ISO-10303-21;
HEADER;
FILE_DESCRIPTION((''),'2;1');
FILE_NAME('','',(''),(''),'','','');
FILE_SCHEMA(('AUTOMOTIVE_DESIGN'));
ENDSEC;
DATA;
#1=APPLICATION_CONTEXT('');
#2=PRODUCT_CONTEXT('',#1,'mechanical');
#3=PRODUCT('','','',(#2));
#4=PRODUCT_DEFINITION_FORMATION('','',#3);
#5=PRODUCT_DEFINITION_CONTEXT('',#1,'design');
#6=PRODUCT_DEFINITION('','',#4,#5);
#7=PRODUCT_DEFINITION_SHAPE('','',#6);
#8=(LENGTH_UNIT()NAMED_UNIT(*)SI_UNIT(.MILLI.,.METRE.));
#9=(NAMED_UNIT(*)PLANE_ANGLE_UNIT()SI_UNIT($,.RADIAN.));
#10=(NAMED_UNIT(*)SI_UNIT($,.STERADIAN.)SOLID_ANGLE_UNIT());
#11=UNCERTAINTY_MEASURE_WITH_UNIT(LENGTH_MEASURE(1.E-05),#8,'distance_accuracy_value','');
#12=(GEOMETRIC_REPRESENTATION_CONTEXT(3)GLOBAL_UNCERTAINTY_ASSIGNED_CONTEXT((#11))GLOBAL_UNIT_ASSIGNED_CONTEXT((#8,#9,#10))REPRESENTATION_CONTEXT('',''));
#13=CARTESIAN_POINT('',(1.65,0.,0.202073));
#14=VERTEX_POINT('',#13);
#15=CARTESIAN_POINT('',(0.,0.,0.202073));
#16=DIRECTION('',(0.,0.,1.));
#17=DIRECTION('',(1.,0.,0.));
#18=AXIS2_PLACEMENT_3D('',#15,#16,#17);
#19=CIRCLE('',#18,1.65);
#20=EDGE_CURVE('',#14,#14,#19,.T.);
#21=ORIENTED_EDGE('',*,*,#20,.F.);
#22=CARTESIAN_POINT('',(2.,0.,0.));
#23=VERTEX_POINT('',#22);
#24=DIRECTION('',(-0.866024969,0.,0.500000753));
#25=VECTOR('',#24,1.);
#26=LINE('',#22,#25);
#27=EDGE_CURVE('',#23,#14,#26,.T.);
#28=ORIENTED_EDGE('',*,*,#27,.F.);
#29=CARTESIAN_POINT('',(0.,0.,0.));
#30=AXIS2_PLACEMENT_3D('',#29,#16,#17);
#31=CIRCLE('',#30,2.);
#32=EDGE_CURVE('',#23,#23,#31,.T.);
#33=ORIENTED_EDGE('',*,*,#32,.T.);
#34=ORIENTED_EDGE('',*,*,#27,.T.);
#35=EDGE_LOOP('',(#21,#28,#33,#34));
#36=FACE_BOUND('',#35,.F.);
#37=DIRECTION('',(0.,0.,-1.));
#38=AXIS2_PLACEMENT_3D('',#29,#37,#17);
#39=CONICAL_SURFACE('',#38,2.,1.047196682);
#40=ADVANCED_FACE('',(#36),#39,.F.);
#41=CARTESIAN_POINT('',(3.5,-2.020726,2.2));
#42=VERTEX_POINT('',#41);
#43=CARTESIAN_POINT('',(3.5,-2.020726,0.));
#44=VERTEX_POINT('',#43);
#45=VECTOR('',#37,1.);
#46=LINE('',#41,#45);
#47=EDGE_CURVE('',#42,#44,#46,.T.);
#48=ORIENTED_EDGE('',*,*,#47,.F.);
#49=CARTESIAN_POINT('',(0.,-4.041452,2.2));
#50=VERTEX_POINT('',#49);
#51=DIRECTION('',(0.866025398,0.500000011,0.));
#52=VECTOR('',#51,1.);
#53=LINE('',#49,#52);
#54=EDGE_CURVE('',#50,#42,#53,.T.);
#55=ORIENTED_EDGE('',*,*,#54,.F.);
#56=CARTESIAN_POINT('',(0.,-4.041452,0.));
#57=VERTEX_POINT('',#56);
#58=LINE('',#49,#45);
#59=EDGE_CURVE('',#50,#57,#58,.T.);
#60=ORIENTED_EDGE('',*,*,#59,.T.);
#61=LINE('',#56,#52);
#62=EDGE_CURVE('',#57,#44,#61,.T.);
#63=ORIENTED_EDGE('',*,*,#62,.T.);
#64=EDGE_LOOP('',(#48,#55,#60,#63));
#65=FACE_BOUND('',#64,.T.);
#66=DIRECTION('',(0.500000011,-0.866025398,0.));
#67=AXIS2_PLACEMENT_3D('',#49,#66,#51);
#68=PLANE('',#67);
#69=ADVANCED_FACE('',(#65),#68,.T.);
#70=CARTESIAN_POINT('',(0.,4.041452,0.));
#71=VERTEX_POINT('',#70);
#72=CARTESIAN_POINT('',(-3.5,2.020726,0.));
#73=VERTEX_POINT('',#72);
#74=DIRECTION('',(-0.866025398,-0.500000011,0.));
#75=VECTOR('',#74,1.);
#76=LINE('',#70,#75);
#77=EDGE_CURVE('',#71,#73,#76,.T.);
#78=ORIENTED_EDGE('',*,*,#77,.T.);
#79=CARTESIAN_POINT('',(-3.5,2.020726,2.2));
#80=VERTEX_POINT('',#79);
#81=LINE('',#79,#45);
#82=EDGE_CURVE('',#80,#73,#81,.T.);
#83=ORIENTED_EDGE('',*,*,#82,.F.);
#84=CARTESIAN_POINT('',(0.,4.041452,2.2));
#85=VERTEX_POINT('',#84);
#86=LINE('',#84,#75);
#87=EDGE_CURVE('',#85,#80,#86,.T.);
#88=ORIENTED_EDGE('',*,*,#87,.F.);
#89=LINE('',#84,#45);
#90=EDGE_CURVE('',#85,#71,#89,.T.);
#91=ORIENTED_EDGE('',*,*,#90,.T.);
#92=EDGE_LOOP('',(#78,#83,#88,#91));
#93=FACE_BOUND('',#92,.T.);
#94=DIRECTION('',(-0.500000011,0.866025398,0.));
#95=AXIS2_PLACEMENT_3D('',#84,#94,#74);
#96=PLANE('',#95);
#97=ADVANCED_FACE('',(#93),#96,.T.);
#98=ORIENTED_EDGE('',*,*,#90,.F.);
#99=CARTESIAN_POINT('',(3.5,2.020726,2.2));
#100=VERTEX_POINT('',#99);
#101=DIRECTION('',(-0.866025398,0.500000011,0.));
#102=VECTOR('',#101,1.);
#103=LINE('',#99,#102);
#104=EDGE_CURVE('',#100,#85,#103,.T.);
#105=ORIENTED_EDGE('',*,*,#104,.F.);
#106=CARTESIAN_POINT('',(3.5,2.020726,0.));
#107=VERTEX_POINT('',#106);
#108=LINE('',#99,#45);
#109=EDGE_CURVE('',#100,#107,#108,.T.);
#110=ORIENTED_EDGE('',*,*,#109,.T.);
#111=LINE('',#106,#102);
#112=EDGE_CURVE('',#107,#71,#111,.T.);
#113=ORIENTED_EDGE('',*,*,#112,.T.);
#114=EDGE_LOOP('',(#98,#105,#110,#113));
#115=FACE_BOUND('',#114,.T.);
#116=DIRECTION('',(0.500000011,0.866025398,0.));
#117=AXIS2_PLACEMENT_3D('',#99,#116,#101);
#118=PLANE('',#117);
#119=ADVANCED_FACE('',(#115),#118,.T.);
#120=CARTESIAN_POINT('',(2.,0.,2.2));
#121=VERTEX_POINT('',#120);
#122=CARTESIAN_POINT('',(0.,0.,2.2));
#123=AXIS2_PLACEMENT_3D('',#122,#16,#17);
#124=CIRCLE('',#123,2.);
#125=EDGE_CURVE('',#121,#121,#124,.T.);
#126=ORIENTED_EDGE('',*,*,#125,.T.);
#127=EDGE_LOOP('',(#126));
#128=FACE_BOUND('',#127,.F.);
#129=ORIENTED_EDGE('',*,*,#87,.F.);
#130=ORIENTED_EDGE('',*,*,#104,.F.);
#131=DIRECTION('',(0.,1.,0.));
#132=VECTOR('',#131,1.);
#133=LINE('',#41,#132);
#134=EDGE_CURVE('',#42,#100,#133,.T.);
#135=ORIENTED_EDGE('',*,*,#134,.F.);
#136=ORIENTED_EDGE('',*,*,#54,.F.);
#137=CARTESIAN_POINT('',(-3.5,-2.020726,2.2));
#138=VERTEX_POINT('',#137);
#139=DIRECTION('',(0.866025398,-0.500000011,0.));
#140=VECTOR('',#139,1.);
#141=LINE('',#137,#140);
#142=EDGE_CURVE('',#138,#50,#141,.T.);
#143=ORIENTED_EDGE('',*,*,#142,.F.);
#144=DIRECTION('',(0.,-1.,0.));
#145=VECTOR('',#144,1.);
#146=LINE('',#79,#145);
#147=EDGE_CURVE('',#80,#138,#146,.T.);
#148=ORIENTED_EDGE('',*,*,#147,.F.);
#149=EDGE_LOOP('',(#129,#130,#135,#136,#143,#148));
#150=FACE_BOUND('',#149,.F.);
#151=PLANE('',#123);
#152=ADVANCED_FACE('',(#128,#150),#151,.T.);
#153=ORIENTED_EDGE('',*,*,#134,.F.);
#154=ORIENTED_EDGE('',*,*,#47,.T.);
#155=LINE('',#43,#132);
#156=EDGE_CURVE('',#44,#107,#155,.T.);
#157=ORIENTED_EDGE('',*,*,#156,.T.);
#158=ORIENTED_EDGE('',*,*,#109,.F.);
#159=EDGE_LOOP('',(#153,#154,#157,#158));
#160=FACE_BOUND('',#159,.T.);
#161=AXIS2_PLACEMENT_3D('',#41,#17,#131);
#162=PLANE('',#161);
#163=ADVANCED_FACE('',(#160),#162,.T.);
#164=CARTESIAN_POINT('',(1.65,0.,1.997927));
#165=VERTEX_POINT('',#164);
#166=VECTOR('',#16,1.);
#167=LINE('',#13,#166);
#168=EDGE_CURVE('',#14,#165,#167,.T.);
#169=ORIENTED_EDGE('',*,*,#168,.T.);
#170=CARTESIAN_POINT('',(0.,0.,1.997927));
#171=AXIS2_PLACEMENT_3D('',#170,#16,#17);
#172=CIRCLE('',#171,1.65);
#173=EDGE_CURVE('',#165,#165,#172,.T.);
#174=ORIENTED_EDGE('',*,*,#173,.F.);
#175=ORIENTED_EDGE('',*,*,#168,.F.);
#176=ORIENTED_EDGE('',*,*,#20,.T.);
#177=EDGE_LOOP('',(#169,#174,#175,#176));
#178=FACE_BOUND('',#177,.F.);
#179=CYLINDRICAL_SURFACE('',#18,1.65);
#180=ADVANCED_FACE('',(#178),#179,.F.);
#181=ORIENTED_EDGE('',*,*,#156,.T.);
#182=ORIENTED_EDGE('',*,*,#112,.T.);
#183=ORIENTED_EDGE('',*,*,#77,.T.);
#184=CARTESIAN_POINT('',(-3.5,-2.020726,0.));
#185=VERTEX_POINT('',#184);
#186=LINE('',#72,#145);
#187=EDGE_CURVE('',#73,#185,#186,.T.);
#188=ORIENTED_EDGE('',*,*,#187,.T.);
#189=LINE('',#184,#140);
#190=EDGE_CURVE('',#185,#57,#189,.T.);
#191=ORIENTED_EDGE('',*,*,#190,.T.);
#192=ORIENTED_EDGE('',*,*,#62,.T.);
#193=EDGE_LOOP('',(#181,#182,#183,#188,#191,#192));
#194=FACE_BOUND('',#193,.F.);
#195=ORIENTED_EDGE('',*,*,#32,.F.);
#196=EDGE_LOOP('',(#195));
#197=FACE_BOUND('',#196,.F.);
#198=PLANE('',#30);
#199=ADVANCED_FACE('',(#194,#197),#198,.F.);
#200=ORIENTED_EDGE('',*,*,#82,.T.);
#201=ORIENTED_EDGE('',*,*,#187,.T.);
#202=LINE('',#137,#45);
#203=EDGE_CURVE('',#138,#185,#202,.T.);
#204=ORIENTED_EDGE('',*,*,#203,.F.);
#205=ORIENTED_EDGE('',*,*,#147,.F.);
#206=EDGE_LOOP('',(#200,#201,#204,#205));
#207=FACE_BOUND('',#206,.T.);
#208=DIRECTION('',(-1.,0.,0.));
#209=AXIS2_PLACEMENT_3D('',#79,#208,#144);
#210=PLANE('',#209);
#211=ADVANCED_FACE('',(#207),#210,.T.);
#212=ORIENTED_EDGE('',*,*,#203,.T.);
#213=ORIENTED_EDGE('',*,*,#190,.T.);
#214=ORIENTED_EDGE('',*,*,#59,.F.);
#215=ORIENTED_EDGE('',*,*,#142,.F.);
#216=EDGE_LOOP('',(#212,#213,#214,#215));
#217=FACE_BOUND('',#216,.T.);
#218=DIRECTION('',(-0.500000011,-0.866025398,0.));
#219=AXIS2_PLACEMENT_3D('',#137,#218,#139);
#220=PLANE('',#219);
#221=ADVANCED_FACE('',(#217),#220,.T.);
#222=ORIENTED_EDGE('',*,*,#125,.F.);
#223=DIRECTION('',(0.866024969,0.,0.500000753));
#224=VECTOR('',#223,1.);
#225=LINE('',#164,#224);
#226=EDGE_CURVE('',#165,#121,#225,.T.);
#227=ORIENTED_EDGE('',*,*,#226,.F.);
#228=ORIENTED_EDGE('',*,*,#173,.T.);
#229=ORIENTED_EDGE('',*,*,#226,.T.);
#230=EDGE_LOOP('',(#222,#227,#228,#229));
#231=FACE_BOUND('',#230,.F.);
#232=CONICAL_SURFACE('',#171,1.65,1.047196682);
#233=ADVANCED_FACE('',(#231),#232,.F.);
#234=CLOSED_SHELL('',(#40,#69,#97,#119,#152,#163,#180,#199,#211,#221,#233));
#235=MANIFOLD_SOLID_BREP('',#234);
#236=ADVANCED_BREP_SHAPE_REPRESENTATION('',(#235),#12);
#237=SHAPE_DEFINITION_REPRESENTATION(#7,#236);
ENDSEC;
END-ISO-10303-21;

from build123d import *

# Parameters (mm, degrees)
SKETCH001_R  = 4.5
POCKET_DEPTH = 2.2


with BuildPart() as part:
    # Sketch → Revolution (revolve)
    with BuildSketch(Plane.XZ):
        Polygon((2, 0), (1.65, 0.202073), (1.65, 1.997927), (2, 2.2), (4.5, 2.2), (4.5, 0), align=None)
    revolve(axis=Axis((0, 0, 0), (0, 0, 1)))

    # Sketch001 → Pocket (cut)
    with BuildSketch(Plane(origin=(0, 0, 2.2), x_dir=(-1, 0, 0), z_dir=(0, 0, 1))):
        Circle(SKETCH001_R)
        Polygon((-3.5, 2.020726), (-3.5, -2.020726), (0, -4.041452), (3.5, -2.020726), (3.5, 2.020726), (0, 4.041452), align=None, mode=Mode.SUBTRACT)
    extrude(amount=-POCKET_DEPTH, mode=Mode.SUBTRACT)


solid = part.part
